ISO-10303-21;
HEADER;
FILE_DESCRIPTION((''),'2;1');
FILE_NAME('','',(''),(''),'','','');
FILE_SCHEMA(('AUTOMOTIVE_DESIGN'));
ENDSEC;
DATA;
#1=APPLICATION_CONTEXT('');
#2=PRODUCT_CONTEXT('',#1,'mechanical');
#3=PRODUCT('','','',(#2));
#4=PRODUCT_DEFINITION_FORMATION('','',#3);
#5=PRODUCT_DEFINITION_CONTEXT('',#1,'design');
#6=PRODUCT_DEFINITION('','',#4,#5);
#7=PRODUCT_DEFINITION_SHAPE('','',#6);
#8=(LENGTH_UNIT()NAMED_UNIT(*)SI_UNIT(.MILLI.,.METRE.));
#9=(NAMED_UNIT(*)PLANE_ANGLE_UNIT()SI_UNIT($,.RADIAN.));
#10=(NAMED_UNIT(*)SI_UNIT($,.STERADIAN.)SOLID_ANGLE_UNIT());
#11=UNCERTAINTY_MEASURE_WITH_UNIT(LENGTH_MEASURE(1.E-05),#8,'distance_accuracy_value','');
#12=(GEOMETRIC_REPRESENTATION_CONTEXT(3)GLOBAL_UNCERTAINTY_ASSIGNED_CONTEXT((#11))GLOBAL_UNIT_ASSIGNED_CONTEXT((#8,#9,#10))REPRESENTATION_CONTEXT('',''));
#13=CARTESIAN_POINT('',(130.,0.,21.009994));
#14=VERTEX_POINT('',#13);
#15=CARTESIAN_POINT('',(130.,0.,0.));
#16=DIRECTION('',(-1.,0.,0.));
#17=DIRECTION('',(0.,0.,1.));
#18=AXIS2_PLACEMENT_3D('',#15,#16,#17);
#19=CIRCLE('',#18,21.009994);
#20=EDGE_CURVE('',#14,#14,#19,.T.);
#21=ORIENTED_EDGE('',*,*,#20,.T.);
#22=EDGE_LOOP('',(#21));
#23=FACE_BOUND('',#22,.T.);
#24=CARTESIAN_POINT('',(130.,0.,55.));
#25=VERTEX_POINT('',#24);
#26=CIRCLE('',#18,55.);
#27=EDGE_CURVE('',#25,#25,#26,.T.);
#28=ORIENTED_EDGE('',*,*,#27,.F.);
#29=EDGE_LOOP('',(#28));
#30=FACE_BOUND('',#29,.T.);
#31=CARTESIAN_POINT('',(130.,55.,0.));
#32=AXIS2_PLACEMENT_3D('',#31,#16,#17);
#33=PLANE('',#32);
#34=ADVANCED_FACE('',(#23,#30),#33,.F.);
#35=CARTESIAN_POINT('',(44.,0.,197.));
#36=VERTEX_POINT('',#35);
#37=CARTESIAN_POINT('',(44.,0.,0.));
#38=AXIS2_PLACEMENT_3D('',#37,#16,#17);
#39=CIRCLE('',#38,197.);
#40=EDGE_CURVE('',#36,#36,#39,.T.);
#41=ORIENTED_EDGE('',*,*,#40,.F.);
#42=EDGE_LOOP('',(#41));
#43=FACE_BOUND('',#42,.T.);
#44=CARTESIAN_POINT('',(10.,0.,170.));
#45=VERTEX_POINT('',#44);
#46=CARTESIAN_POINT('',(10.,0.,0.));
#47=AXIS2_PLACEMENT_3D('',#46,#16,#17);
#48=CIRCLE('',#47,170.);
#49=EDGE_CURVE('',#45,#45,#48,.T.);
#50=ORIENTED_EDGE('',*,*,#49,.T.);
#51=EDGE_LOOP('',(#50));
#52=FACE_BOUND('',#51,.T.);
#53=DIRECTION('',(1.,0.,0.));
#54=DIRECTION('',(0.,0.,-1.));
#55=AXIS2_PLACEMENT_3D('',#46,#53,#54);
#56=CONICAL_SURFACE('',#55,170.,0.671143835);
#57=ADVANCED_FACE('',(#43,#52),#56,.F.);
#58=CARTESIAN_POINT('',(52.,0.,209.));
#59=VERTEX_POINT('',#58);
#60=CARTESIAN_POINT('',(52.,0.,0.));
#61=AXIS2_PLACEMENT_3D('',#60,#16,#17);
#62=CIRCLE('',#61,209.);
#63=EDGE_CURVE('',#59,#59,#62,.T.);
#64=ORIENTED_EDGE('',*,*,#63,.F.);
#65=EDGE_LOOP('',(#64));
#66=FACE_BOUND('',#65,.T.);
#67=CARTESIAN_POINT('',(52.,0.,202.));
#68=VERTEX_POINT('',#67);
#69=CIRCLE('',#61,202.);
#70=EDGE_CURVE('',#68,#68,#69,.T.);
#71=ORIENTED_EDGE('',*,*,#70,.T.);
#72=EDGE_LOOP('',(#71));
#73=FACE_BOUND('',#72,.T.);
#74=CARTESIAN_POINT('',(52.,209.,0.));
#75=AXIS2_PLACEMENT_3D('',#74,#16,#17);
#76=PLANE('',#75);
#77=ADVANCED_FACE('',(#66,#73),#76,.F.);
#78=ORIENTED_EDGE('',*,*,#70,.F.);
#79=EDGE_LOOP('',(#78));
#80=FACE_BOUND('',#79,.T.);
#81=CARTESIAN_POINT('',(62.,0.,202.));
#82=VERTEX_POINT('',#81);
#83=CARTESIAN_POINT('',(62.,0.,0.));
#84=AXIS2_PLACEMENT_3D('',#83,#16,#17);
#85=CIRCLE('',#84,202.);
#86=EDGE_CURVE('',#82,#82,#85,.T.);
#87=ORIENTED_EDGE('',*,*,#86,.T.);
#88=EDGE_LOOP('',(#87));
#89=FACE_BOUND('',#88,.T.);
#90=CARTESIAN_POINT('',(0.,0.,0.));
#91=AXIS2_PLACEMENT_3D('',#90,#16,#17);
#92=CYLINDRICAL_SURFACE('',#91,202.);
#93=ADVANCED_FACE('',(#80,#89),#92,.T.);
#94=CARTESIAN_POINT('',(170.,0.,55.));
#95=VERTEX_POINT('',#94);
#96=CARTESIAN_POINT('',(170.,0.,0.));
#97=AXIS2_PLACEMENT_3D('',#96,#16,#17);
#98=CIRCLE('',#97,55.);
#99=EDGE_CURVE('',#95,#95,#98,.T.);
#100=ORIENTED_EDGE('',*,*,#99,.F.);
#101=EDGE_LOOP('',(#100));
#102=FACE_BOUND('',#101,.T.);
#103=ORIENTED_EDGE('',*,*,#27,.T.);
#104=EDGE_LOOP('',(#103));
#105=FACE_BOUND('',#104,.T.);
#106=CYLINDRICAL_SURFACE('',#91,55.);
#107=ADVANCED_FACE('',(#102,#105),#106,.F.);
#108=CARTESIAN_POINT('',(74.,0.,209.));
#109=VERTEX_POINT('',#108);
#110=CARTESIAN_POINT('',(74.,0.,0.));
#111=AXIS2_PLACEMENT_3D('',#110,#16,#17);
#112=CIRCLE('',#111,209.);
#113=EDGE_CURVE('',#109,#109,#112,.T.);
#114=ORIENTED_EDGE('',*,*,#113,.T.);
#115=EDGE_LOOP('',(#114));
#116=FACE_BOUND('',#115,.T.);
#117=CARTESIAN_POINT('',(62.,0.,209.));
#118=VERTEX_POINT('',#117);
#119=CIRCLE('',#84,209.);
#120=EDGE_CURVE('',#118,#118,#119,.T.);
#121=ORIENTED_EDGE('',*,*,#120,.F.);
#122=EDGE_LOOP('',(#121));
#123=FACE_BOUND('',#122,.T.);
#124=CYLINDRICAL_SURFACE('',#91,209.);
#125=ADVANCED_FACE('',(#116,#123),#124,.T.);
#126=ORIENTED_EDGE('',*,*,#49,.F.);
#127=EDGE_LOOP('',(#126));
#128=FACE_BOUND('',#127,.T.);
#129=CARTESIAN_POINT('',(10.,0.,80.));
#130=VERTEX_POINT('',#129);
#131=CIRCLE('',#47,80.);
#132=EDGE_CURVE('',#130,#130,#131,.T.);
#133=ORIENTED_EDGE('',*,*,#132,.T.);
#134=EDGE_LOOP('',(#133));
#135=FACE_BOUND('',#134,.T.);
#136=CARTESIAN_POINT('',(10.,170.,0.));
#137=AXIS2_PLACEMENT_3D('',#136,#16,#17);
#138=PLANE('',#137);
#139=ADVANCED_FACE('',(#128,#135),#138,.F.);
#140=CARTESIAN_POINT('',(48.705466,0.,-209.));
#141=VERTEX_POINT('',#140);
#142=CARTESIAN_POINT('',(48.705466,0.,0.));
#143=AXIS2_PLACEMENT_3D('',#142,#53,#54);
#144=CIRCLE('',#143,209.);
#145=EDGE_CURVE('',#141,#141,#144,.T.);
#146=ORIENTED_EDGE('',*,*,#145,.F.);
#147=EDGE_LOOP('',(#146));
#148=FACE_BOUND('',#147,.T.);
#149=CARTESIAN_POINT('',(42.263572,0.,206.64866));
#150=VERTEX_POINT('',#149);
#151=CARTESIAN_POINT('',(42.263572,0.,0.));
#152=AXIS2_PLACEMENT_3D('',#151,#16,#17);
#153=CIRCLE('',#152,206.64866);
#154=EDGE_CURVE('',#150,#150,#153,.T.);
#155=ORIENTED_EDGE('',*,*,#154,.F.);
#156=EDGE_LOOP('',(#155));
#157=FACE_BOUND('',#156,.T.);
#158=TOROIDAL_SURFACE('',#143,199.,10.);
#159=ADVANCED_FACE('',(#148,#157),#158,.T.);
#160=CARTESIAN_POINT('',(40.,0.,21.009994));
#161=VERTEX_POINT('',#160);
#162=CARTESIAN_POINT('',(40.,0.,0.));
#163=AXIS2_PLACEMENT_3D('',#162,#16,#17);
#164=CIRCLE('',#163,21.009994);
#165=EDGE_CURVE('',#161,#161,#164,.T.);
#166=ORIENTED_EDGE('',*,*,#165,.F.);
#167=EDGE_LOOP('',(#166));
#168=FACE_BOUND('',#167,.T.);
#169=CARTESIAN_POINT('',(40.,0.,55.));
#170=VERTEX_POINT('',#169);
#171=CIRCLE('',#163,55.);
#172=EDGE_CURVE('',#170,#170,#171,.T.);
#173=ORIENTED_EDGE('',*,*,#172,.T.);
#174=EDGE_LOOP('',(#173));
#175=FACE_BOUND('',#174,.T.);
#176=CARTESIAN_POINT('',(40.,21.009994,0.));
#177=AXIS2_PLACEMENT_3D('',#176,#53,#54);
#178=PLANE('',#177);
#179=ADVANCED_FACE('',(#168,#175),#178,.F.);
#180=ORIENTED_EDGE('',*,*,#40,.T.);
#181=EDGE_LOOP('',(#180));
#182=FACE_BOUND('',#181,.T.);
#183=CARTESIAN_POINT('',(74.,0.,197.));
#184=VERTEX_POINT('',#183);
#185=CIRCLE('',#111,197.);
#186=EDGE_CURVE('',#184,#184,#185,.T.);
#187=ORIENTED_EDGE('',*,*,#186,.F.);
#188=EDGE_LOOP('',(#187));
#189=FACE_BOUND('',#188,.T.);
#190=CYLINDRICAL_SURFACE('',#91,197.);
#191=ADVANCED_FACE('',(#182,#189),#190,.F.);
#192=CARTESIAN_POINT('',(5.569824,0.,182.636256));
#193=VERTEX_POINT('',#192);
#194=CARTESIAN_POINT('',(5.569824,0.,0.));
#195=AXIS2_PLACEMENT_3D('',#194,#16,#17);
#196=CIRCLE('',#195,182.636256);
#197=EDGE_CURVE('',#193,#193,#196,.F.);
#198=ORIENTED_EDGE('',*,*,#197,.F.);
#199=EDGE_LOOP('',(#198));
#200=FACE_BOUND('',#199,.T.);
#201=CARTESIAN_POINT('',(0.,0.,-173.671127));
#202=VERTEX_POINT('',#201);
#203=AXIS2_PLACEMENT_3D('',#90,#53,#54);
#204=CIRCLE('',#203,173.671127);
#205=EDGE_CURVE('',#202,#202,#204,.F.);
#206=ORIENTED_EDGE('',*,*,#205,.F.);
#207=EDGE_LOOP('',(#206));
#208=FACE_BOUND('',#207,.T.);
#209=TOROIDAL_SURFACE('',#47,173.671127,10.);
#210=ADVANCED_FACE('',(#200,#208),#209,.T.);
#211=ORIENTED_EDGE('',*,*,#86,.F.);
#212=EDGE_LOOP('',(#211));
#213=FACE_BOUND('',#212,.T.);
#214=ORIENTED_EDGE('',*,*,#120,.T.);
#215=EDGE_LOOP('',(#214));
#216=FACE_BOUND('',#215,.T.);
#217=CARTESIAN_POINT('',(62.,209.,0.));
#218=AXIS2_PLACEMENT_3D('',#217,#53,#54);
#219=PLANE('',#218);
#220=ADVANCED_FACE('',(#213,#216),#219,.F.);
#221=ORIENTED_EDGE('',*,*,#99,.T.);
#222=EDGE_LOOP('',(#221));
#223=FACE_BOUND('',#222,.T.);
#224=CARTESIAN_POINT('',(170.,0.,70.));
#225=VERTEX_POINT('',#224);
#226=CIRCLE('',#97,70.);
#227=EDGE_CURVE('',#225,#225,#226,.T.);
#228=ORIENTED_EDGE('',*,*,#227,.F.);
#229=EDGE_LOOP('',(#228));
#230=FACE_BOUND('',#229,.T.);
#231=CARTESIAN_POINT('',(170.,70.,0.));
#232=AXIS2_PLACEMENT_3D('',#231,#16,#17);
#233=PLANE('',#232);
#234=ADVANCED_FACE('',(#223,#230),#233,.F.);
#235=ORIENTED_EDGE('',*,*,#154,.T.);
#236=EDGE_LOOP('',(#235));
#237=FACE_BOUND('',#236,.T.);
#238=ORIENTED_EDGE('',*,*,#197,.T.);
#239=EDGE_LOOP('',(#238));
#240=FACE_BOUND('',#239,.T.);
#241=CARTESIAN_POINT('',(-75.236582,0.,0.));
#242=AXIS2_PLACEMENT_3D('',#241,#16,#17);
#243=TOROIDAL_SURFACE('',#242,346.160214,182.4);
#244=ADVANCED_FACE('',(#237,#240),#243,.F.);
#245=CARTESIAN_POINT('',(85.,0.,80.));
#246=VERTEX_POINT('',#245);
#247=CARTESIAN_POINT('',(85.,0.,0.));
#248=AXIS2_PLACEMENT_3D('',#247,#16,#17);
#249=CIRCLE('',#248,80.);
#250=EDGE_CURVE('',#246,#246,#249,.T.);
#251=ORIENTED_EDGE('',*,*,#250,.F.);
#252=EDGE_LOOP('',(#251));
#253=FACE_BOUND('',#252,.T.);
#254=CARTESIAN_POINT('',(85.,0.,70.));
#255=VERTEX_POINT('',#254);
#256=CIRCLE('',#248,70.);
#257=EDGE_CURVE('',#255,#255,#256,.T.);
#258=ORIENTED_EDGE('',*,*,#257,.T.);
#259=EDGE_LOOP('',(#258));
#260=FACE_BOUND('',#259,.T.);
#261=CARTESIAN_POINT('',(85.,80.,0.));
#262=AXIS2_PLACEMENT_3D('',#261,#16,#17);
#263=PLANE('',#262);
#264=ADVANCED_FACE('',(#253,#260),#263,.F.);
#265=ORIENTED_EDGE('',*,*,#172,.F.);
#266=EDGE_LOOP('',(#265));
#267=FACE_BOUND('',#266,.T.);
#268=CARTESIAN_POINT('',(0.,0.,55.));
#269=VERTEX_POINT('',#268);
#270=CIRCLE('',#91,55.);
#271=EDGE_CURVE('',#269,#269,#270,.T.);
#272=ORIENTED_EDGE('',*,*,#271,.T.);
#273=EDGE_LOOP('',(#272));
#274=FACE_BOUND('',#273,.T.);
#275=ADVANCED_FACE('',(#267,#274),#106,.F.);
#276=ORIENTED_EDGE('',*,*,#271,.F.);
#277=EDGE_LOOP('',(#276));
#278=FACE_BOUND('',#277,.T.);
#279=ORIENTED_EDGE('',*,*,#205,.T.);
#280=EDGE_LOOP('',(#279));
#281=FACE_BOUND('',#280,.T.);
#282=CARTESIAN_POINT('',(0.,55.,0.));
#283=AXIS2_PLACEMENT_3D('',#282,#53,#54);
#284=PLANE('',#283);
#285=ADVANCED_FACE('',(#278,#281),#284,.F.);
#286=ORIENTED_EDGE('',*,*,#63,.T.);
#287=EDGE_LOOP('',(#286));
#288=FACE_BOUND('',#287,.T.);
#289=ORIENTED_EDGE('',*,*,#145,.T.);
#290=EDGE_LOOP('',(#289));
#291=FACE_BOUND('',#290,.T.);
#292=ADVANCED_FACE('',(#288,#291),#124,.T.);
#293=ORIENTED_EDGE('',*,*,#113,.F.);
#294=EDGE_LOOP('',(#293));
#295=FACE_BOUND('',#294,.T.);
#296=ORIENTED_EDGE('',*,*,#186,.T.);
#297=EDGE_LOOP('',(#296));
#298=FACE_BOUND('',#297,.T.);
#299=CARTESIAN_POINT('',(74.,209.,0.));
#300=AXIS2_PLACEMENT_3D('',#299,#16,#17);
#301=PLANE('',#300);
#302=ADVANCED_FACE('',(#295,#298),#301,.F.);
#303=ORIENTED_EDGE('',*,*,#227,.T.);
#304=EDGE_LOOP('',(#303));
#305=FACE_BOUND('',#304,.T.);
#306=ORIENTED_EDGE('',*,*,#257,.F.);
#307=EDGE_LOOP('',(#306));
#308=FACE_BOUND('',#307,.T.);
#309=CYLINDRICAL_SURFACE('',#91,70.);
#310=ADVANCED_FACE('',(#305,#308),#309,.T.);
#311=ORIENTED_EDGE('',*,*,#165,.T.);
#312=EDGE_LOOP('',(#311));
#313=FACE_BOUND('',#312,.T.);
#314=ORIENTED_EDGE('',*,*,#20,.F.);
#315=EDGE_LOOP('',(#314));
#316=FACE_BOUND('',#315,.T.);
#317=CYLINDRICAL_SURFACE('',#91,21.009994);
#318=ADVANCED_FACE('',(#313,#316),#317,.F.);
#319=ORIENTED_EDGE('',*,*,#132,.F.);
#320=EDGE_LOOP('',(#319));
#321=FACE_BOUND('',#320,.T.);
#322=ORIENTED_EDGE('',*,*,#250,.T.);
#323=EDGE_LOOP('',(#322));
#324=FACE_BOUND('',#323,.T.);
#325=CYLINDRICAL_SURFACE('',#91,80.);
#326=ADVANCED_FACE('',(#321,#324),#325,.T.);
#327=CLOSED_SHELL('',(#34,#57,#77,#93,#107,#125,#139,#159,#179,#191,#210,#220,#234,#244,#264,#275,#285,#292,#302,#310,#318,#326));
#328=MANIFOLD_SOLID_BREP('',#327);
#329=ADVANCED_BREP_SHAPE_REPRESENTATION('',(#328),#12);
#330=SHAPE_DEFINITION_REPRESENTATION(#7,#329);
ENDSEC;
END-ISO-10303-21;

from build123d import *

# Parameters (mm, degrees)
FILLET1_R = 10


with BuildPart() as part:
    # Sketch1 → Revolve1 (revolve)
    with BuildSketch(Plane.XY, mode=Mode.PRIVATE) as revolve1_sk:
        with BuildLine():
            Line((170, 55), (130, 55))
            Line((130, 55), (130, 21.009993912))
            Line((130, 21.009993912), (40, 21.009993912))
            Line((40, 21.009993912), (40, 55))
            Line((40, 55), (0, 55))
            Line((0, 55), (0, 180))
            ThreePointArc((0, 180), (23.569740978, 192.840057103), (45, 209))
            Line((45, 209), (52, 209))
            Line((52, 209), (52, 202))
            Line((52, 202), (62, 202))
            Line((62, 202), (62, 209))
            Line((62, 209), (74, 209))
            Line((74, 209), (74, 197))
            Line((74, 197), (44, 197))
            Line((44, 197), (10, 170))
            Line((10, 170), (10, 80))
            Line((10, 80), (85, 80))
            Line((85, 80), (85, 70))
            Line((85, 70), (170, 70))
            Line((170, 70), (170, 55))
        make_face()
    revolve(revolve1_sk.sketch.rotate(Axis((0, 0, 0), (1, 0, 0)), 90), axis=Axis((0, 0, 0), (1, 0, 0)))

    # Fillet1
    fillet1_edges = [part.edges().sort_by_distance(p)[0] for p in [
        (0, 0, -180),
        (45, 0, -209),
    ]]
    fillet(fillet1_edges, radius=FILLET1_R)


solid = part.part
